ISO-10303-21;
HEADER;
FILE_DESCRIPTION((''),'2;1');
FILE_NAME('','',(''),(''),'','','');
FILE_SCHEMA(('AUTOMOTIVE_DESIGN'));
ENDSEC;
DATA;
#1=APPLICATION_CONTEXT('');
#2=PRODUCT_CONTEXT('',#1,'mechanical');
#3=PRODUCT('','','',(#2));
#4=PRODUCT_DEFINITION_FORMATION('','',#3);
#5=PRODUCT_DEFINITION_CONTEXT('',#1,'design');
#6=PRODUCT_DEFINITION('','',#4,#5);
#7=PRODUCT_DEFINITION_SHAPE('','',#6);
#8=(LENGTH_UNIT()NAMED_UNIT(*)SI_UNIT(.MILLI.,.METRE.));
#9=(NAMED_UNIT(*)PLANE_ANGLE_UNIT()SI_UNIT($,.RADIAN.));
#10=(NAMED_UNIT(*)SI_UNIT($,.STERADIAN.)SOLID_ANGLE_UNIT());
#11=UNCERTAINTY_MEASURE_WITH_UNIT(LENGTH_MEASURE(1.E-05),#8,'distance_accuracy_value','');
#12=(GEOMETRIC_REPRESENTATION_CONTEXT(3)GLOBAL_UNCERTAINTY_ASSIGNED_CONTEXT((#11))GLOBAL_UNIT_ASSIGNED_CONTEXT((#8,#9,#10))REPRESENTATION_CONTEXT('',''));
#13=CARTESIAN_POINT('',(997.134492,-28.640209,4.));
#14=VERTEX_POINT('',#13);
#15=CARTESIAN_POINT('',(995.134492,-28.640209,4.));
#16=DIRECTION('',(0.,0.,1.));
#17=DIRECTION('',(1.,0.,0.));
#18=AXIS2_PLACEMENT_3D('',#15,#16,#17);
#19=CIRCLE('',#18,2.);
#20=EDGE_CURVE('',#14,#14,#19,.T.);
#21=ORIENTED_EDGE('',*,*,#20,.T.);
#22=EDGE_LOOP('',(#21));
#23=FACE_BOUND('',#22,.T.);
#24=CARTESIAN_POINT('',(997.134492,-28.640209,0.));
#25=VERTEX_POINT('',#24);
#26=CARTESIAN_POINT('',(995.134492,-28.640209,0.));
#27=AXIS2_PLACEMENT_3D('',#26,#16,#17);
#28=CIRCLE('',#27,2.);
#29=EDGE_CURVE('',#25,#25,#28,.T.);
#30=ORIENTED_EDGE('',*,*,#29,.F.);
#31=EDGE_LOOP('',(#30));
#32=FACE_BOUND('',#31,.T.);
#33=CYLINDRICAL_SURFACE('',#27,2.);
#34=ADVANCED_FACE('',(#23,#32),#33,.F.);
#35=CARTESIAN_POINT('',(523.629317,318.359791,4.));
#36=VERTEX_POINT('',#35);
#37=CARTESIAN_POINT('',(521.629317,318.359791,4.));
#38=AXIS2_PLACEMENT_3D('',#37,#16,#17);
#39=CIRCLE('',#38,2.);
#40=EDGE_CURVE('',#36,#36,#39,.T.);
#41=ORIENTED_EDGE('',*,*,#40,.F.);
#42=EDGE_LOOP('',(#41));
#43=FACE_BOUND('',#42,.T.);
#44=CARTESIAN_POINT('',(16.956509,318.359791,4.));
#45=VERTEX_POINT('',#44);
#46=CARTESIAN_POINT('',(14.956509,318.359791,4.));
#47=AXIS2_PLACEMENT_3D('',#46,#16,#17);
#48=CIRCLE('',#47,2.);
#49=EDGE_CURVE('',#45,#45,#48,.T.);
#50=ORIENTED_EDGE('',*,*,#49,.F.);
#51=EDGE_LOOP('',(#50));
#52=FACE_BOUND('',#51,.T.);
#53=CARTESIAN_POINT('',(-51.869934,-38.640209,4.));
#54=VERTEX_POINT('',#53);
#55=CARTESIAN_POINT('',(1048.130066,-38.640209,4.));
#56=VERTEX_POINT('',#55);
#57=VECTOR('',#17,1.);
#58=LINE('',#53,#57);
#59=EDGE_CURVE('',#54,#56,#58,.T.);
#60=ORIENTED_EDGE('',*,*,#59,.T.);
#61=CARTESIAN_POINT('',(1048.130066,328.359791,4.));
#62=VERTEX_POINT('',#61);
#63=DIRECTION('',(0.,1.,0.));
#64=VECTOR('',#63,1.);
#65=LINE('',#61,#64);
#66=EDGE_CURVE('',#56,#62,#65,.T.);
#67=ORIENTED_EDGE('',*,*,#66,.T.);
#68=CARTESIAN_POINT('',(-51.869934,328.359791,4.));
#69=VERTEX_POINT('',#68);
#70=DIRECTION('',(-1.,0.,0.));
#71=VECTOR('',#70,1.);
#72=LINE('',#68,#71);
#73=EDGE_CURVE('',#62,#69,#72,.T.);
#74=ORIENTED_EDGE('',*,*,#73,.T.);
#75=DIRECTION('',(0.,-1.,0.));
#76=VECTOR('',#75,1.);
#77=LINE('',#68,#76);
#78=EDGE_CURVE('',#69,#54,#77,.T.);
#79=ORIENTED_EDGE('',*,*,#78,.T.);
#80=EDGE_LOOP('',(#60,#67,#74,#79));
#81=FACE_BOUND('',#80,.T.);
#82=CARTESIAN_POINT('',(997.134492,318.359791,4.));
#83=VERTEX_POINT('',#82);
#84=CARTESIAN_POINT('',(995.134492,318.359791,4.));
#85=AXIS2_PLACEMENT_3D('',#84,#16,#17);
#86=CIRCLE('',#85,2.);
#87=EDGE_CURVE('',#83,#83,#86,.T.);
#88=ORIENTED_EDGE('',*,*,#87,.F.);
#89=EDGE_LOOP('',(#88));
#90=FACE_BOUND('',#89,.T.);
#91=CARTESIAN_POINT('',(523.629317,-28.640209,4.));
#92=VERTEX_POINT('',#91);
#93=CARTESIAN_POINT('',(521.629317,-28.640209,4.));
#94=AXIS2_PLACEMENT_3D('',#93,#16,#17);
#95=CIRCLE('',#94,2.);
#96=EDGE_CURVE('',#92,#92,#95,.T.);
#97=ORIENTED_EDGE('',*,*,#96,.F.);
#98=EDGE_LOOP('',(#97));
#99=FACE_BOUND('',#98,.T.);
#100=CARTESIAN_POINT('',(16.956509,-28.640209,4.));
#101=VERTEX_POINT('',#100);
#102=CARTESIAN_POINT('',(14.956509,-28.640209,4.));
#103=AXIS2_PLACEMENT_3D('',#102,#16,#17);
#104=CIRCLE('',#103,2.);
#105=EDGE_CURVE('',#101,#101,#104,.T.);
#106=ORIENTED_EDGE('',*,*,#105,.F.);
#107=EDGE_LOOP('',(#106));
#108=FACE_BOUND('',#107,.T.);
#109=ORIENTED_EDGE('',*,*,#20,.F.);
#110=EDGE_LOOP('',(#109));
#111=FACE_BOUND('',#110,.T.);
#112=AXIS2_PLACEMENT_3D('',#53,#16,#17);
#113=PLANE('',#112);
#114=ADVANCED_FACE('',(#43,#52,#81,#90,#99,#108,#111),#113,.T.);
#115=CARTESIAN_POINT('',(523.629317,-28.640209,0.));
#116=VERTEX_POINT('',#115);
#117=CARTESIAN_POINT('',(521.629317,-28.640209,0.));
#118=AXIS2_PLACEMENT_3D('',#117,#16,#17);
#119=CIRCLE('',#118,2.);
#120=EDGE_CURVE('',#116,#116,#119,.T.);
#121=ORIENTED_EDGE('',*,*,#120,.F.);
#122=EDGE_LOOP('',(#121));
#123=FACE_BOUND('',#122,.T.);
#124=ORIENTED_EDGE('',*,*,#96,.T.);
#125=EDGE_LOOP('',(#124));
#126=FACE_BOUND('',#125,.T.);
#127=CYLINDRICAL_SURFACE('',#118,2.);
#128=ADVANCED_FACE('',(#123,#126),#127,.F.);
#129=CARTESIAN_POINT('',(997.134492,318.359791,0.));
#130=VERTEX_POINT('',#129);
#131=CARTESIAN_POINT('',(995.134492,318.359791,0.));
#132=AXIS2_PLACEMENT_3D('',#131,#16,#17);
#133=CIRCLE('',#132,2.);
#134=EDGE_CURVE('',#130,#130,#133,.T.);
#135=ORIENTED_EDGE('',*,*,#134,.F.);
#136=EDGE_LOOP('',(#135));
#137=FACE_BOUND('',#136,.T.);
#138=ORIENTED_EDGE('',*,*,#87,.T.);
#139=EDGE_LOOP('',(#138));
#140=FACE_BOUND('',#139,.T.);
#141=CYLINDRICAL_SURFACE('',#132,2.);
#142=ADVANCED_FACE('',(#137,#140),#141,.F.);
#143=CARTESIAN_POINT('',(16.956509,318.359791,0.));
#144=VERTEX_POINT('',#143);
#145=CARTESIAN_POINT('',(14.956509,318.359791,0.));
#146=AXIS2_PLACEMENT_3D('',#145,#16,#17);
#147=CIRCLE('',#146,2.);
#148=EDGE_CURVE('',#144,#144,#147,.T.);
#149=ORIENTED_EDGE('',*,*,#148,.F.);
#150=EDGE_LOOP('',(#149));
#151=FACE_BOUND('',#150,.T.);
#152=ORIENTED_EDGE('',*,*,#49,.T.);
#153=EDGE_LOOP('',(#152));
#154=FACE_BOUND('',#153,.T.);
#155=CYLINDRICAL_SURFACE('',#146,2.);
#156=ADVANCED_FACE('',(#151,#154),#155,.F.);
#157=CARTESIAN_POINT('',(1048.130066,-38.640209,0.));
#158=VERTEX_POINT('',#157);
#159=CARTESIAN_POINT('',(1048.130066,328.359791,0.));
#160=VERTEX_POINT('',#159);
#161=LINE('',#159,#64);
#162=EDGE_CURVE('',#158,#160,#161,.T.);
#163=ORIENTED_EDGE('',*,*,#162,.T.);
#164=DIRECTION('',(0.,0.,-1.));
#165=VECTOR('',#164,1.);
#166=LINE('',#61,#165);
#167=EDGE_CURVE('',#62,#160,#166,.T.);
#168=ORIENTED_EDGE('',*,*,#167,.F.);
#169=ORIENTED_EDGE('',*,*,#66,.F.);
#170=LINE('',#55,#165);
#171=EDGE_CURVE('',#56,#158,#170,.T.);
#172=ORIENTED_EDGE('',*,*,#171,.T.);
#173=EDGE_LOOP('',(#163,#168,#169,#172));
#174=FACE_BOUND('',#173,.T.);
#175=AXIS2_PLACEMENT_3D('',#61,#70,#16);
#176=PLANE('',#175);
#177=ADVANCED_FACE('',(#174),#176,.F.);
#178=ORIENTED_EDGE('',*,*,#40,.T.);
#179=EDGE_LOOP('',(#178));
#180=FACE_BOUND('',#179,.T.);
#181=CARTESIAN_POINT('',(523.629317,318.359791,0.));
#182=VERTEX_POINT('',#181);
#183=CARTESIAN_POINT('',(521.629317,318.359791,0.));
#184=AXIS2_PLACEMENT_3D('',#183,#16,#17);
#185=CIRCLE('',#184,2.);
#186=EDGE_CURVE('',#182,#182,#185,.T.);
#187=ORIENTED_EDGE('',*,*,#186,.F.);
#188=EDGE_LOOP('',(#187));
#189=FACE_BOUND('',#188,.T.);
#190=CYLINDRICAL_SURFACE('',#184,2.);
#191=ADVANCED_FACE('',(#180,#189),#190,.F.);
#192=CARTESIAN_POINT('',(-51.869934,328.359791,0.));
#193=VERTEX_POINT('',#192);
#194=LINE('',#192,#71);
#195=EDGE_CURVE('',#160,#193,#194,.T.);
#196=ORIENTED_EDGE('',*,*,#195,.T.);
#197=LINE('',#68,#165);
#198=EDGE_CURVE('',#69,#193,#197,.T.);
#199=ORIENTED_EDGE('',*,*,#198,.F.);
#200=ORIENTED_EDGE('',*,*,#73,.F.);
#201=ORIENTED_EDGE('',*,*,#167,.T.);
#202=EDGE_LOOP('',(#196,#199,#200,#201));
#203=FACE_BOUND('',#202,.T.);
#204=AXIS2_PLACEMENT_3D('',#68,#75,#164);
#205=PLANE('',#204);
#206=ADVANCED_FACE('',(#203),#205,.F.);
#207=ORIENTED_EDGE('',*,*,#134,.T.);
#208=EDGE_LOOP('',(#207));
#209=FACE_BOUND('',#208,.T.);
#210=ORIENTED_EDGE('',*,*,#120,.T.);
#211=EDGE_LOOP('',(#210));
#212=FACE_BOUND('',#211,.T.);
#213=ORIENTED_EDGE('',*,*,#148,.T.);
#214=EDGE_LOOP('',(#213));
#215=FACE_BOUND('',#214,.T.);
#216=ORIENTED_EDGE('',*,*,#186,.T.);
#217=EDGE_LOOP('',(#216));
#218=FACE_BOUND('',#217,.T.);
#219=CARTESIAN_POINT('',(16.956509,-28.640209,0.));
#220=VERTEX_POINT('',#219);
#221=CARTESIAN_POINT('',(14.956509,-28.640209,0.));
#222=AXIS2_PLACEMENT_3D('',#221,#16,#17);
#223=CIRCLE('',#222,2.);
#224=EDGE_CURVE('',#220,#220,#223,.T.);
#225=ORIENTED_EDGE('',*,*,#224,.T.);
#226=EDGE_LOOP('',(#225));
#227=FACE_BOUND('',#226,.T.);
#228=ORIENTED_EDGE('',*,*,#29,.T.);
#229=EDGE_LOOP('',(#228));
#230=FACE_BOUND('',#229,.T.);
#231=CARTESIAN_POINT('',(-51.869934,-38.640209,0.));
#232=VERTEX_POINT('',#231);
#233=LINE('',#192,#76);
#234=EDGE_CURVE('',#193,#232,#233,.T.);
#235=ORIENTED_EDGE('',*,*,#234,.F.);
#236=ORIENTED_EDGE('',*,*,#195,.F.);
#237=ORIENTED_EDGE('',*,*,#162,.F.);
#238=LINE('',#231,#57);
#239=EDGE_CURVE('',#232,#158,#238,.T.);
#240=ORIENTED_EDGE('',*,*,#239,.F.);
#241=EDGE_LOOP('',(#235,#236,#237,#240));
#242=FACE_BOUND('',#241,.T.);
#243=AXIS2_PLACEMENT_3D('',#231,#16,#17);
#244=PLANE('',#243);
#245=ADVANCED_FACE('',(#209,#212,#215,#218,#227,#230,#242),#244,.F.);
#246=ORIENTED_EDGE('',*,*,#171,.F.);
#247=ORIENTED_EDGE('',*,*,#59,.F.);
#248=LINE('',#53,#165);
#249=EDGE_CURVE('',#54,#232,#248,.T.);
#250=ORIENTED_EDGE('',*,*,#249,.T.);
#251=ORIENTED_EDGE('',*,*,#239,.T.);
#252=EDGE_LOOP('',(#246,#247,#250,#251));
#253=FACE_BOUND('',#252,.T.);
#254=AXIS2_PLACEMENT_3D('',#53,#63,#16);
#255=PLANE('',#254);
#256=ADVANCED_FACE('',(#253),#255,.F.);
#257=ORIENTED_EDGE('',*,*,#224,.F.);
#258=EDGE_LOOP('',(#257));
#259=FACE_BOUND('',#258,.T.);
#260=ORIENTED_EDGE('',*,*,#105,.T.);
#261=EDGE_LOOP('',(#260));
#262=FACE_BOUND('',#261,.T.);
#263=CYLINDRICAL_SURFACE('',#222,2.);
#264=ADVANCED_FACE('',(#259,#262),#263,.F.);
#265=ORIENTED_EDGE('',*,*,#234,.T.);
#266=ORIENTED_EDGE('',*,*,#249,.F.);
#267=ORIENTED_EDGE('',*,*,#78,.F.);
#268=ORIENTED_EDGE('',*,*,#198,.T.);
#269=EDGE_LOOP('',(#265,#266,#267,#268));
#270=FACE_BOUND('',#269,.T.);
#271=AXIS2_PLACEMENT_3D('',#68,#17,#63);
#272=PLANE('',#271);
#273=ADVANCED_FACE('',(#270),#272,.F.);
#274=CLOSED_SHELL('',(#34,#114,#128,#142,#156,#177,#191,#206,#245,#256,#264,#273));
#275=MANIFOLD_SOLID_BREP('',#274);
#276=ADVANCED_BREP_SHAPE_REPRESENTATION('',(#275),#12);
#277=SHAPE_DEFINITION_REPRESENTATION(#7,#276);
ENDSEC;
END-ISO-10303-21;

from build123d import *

# Parameters (mm, degrees)
SKETCH_1_W          = 1100
SKETCH_1_H          = 367
EXTRUDE_1_DEPTH     = 4
SKETCH_2_R          = 2
CUT_EXTRUDE_1_DEPTH = 4


with BuildPart() as part:
    # 草图1 → 凸台-拉伸1 (new body)
    with BuildSketch(Plane.XY):
        with Locations((498.130065577, 144.859791332)):
            Rectangle(SKETCH_1_W, SKETCH_1_H)
    extrude(amount=EXTRUDE_1_DEPTH)

    # 草图2 → 切除-拉伸1 (cut)
    with BuildSketch(Plane.XY.offset(4)):
        with Locations((14.956509488, 318.359791332)):
            Circle(SKETCH_2_R)
        with Locations((521.629317091, 318.359791332)):
            Circle(SKETCH_2_R)
        with Locations((995.134492499, 318.359791332)):
            Circle(SKETCH_2_R)
        with Locations((995.134492499, -28.640208668)):
            Circle(SKETCH_2_R)
        with Locations((521.629317091, -28.640208668)):
            Circle(SKETCH_2_R)
        with Locations((14.956509488, -28.640208668)):
            Circle(SKETCH_2_R)
    extrude(amount=-CUT_EXTRUDE_1_DEPTH, mode=Mode.SUBTRACT)


solid = part.part
